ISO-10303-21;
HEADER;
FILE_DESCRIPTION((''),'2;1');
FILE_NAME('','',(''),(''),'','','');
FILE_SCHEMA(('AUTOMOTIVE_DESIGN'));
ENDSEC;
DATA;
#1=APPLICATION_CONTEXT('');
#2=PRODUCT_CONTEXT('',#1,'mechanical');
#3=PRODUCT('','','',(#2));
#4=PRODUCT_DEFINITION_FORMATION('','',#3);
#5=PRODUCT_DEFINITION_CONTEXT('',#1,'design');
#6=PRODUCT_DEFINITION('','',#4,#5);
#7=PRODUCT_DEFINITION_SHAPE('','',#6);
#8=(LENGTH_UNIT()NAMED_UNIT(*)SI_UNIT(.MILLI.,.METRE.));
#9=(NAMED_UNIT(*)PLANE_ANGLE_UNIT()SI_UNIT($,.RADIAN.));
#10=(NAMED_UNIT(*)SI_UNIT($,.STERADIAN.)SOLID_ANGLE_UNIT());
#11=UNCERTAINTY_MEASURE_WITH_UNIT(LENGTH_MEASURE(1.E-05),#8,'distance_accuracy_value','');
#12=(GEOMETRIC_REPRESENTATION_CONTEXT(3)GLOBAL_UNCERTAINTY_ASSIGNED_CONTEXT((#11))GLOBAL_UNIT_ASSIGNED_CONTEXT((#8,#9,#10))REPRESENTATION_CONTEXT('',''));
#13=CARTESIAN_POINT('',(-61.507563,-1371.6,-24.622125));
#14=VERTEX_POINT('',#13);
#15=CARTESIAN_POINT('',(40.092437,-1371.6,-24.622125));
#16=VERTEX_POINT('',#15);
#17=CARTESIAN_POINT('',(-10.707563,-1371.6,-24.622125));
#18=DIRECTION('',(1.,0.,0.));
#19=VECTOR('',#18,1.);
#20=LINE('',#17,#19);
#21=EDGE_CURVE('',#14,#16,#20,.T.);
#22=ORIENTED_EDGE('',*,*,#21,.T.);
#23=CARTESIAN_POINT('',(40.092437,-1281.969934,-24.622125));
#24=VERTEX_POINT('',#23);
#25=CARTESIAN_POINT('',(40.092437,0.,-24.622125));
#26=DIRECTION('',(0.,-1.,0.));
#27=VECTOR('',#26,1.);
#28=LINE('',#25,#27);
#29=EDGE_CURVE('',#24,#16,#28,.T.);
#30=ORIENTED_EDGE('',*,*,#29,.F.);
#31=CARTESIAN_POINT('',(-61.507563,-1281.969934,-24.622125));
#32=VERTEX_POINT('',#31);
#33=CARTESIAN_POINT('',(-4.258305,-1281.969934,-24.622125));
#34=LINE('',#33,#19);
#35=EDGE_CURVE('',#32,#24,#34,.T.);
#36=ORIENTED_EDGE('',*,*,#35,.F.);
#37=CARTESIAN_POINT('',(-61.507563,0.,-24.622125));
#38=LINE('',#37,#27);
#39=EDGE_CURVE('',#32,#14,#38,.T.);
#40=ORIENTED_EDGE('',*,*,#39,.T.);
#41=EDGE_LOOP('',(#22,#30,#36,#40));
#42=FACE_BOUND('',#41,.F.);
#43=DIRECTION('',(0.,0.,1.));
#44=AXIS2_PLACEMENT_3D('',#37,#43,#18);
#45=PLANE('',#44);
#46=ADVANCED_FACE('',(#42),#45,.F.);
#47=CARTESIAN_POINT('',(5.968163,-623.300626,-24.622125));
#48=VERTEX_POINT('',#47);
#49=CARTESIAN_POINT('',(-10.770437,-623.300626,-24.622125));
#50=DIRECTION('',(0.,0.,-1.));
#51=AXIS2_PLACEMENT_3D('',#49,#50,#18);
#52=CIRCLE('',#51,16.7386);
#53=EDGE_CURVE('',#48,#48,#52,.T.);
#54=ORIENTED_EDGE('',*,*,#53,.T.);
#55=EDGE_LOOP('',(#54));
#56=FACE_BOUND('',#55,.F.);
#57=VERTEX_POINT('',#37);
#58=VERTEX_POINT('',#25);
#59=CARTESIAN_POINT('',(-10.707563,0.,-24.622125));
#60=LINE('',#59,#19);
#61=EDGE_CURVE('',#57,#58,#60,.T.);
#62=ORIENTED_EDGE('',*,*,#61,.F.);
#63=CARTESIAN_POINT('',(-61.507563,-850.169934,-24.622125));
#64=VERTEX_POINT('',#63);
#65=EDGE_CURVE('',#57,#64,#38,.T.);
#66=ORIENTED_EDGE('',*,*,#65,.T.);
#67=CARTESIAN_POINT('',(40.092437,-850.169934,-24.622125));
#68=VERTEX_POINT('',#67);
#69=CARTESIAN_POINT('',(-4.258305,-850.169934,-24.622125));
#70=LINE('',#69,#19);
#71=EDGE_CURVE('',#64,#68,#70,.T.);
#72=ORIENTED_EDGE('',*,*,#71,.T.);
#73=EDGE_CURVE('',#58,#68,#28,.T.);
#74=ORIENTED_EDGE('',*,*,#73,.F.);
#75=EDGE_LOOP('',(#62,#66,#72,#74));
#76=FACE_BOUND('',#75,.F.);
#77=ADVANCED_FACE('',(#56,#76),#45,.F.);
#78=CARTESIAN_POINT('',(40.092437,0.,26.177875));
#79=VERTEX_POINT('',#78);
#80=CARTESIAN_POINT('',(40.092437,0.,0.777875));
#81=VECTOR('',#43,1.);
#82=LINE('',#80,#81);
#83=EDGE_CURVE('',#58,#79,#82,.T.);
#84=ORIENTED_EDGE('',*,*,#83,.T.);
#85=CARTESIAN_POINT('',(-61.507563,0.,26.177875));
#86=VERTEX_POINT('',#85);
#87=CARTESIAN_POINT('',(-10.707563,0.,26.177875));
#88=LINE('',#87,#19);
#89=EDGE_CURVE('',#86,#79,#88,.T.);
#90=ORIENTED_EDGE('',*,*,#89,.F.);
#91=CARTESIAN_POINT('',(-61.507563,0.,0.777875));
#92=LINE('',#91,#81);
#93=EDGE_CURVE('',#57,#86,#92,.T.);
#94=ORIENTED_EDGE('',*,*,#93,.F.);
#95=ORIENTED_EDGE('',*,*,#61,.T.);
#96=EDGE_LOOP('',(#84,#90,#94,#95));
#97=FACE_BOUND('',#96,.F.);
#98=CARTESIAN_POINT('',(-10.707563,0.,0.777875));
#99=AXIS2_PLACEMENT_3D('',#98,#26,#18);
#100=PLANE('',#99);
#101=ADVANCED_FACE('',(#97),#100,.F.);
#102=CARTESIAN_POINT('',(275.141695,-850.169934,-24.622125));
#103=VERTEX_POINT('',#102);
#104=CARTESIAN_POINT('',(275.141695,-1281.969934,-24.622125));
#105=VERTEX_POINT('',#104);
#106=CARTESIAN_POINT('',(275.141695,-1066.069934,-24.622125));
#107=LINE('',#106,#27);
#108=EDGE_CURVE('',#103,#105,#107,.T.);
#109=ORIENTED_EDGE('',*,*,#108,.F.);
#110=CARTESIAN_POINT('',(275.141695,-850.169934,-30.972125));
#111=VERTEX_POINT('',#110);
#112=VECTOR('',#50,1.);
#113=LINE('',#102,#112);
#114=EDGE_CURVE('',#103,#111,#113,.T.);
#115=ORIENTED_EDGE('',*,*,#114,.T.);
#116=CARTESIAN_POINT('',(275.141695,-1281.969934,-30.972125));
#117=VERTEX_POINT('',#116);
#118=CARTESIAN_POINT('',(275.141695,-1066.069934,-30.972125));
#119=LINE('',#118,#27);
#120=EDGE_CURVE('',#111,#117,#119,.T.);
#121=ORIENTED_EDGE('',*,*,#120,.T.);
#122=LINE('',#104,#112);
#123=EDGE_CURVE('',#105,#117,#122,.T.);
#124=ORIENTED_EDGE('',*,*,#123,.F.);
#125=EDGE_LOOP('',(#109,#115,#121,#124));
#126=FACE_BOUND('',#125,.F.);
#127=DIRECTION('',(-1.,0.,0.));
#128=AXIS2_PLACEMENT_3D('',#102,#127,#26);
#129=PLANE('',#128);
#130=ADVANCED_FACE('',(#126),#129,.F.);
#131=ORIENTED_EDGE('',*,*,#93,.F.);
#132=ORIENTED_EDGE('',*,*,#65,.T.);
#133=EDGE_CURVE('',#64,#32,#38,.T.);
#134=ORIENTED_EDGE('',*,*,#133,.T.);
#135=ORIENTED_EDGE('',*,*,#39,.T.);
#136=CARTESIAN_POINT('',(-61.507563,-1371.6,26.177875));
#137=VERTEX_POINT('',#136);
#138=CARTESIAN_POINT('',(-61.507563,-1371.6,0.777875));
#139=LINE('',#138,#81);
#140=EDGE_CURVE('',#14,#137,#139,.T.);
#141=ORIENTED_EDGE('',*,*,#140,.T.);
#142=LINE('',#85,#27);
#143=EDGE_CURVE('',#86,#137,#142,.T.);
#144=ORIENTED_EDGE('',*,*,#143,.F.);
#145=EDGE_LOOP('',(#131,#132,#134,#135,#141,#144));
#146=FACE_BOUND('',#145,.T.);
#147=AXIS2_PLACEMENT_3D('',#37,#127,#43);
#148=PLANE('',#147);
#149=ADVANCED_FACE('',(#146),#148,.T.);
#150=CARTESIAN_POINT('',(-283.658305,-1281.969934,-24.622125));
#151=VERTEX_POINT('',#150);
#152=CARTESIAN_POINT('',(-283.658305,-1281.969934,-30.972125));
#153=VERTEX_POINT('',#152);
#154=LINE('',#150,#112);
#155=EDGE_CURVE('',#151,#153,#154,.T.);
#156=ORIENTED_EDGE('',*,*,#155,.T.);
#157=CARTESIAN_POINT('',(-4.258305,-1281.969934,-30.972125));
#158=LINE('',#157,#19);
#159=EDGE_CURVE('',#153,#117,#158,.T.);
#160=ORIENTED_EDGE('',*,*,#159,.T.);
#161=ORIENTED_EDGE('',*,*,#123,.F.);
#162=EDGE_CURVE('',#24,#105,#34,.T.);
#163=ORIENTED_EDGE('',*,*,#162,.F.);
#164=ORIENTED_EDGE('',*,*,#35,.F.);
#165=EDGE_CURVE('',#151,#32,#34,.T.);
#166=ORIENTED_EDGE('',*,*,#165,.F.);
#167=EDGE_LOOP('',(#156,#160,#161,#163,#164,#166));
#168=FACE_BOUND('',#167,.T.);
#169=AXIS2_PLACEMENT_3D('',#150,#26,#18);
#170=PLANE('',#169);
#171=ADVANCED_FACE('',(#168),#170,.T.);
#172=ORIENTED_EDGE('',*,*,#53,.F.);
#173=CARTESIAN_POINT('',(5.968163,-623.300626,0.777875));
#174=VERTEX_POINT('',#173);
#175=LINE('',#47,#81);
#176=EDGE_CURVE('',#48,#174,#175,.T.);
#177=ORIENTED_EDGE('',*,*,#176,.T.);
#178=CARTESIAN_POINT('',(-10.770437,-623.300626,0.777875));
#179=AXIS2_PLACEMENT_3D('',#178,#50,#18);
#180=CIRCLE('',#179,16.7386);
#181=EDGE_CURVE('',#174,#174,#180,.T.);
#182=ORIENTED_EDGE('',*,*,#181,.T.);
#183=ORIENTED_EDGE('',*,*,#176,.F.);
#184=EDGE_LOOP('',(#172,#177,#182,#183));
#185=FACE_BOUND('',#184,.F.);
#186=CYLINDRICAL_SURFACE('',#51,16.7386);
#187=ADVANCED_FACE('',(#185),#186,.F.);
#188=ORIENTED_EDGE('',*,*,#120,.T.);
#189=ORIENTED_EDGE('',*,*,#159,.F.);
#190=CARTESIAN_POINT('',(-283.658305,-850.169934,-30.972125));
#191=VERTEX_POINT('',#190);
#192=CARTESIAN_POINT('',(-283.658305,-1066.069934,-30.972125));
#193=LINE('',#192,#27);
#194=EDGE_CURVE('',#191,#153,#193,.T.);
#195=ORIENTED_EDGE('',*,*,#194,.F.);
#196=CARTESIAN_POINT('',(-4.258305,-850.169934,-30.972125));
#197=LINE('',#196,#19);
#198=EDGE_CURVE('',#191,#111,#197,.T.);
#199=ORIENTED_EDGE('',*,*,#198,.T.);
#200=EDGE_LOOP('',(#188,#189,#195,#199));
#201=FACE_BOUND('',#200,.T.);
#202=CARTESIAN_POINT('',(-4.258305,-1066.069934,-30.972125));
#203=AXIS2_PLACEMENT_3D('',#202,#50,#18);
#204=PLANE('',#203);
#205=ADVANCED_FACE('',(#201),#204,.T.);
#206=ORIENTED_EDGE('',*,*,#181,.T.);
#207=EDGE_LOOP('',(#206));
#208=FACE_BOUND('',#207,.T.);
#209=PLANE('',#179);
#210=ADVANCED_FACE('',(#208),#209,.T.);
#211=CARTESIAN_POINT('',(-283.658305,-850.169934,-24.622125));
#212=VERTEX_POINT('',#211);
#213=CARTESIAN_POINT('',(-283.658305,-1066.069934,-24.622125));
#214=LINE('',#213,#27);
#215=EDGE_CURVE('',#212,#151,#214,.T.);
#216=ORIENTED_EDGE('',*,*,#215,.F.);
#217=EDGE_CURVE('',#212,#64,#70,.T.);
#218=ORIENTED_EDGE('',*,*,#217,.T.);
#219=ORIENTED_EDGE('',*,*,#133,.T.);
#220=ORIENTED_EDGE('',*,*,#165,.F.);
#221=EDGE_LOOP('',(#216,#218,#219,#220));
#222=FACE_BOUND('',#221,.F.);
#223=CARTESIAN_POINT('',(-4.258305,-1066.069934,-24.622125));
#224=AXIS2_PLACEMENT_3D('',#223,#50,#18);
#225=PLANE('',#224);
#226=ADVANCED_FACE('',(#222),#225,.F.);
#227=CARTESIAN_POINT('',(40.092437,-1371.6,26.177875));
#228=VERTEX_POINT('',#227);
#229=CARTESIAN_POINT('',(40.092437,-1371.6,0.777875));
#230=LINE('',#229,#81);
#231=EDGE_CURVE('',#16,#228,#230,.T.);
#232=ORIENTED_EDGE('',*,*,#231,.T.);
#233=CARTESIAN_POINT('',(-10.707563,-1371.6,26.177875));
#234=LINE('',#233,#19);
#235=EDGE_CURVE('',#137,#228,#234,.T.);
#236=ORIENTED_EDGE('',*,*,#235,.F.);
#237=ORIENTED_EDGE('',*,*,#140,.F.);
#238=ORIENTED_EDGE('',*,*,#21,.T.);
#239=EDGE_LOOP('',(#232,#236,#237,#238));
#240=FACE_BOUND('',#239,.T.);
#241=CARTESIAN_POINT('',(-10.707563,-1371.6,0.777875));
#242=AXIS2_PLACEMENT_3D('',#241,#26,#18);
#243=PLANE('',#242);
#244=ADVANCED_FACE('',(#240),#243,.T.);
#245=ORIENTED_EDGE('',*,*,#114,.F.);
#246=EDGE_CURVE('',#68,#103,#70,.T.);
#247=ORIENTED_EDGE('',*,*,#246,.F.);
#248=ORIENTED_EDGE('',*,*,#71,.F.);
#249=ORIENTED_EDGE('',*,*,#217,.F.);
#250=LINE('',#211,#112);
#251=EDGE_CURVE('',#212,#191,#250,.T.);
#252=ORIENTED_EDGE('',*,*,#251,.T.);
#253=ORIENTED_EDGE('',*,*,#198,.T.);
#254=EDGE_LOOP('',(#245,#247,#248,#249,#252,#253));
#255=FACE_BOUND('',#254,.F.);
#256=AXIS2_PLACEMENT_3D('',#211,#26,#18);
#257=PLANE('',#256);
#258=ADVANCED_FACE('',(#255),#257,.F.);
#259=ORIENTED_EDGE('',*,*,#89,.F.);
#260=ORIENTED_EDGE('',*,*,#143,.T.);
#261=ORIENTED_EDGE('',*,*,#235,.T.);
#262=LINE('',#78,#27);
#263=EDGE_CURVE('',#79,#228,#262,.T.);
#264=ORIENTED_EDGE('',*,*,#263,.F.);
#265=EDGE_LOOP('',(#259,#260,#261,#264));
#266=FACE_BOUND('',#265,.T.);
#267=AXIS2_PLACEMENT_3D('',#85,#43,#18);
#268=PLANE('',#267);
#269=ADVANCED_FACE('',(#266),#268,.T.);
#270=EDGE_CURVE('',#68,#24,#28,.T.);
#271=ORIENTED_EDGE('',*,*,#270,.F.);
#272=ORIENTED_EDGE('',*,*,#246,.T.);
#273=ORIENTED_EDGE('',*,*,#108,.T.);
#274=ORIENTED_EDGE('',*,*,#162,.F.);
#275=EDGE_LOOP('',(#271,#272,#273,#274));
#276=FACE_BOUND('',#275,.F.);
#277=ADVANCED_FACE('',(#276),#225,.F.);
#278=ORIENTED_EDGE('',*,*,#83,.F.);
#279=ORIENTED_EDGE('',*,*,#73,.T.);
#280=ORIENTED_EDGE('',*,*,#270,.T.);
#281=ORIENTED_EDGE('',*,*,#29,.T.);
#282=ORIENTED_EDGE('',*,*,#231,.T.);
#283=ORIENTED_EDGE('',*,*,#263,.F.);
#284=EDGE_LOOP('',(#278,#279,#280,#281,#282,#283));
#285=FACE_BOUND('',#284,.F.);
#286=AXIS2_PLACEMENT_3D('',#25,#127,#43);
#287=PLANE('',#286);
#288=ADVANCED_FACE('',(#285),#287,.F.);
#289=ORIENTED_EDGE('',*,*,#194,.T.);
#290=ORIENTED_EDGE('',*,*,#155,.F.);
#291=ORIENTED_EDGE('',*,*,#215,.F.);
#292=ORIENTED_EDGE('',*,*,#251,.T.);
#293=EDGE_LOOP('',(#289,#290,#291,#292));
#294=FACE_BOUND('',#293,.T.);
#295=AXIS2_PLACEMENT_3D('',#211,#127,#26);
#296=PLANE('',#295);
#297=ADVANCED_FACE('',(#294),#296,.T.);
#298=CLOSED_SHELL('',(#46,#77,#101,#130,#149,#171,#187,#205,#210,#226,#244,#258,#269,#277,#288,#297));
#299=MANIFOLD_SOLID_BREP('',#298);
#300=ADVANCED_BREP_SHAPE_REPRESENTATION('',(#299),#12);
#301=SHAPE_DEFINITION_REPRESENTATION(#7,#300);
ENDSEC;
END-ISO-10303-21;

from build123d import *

# Parameters (mm, degrees)
F0_W     = 101.6
F0_H     = 50.8
F1_DEPTH = 1371.6
F2_R     = 16.7386
F3_DEPTH = 25.4
F4_W     = 558.8
F4_H     = 431.8
F5_DEPTH = 6.35


with BuildPart() as f1:
    # F0 (on Front) → F1 (new body)
    with BuildSketch(Plane.XZ):
        with Locations((-10.707563, 0.777875)):
            Rectangle(F0_W, F0_H)
    extrude(amount=F1_DEPTH)

    # F2 (on face) → F3 (cut)
    with BuildSketch(Plane(origin=(0, 0, -24.622125), x_dir=(1, 0, 0), z_dir=(0, 0, -1))):
        with Locations((-10.770437, 623.300626)):
            Circle(F2_R)
    extrude(amount=-F3_DEPTH, mode=Mode.SUBTRACT)

    # F4 (on face) → F5 (join)
    with BuildSketch(Plane(origin=(0, 0, -24.622125), x_dir=(1, 0, 0), z_dir=(0, 0, -1))):
        with Locations((-4.258305, 1066.069934)):
            Rectangle(F4_W, F4_H)
    extrude(amount=F5_DEPTH)


solid = f1.part
